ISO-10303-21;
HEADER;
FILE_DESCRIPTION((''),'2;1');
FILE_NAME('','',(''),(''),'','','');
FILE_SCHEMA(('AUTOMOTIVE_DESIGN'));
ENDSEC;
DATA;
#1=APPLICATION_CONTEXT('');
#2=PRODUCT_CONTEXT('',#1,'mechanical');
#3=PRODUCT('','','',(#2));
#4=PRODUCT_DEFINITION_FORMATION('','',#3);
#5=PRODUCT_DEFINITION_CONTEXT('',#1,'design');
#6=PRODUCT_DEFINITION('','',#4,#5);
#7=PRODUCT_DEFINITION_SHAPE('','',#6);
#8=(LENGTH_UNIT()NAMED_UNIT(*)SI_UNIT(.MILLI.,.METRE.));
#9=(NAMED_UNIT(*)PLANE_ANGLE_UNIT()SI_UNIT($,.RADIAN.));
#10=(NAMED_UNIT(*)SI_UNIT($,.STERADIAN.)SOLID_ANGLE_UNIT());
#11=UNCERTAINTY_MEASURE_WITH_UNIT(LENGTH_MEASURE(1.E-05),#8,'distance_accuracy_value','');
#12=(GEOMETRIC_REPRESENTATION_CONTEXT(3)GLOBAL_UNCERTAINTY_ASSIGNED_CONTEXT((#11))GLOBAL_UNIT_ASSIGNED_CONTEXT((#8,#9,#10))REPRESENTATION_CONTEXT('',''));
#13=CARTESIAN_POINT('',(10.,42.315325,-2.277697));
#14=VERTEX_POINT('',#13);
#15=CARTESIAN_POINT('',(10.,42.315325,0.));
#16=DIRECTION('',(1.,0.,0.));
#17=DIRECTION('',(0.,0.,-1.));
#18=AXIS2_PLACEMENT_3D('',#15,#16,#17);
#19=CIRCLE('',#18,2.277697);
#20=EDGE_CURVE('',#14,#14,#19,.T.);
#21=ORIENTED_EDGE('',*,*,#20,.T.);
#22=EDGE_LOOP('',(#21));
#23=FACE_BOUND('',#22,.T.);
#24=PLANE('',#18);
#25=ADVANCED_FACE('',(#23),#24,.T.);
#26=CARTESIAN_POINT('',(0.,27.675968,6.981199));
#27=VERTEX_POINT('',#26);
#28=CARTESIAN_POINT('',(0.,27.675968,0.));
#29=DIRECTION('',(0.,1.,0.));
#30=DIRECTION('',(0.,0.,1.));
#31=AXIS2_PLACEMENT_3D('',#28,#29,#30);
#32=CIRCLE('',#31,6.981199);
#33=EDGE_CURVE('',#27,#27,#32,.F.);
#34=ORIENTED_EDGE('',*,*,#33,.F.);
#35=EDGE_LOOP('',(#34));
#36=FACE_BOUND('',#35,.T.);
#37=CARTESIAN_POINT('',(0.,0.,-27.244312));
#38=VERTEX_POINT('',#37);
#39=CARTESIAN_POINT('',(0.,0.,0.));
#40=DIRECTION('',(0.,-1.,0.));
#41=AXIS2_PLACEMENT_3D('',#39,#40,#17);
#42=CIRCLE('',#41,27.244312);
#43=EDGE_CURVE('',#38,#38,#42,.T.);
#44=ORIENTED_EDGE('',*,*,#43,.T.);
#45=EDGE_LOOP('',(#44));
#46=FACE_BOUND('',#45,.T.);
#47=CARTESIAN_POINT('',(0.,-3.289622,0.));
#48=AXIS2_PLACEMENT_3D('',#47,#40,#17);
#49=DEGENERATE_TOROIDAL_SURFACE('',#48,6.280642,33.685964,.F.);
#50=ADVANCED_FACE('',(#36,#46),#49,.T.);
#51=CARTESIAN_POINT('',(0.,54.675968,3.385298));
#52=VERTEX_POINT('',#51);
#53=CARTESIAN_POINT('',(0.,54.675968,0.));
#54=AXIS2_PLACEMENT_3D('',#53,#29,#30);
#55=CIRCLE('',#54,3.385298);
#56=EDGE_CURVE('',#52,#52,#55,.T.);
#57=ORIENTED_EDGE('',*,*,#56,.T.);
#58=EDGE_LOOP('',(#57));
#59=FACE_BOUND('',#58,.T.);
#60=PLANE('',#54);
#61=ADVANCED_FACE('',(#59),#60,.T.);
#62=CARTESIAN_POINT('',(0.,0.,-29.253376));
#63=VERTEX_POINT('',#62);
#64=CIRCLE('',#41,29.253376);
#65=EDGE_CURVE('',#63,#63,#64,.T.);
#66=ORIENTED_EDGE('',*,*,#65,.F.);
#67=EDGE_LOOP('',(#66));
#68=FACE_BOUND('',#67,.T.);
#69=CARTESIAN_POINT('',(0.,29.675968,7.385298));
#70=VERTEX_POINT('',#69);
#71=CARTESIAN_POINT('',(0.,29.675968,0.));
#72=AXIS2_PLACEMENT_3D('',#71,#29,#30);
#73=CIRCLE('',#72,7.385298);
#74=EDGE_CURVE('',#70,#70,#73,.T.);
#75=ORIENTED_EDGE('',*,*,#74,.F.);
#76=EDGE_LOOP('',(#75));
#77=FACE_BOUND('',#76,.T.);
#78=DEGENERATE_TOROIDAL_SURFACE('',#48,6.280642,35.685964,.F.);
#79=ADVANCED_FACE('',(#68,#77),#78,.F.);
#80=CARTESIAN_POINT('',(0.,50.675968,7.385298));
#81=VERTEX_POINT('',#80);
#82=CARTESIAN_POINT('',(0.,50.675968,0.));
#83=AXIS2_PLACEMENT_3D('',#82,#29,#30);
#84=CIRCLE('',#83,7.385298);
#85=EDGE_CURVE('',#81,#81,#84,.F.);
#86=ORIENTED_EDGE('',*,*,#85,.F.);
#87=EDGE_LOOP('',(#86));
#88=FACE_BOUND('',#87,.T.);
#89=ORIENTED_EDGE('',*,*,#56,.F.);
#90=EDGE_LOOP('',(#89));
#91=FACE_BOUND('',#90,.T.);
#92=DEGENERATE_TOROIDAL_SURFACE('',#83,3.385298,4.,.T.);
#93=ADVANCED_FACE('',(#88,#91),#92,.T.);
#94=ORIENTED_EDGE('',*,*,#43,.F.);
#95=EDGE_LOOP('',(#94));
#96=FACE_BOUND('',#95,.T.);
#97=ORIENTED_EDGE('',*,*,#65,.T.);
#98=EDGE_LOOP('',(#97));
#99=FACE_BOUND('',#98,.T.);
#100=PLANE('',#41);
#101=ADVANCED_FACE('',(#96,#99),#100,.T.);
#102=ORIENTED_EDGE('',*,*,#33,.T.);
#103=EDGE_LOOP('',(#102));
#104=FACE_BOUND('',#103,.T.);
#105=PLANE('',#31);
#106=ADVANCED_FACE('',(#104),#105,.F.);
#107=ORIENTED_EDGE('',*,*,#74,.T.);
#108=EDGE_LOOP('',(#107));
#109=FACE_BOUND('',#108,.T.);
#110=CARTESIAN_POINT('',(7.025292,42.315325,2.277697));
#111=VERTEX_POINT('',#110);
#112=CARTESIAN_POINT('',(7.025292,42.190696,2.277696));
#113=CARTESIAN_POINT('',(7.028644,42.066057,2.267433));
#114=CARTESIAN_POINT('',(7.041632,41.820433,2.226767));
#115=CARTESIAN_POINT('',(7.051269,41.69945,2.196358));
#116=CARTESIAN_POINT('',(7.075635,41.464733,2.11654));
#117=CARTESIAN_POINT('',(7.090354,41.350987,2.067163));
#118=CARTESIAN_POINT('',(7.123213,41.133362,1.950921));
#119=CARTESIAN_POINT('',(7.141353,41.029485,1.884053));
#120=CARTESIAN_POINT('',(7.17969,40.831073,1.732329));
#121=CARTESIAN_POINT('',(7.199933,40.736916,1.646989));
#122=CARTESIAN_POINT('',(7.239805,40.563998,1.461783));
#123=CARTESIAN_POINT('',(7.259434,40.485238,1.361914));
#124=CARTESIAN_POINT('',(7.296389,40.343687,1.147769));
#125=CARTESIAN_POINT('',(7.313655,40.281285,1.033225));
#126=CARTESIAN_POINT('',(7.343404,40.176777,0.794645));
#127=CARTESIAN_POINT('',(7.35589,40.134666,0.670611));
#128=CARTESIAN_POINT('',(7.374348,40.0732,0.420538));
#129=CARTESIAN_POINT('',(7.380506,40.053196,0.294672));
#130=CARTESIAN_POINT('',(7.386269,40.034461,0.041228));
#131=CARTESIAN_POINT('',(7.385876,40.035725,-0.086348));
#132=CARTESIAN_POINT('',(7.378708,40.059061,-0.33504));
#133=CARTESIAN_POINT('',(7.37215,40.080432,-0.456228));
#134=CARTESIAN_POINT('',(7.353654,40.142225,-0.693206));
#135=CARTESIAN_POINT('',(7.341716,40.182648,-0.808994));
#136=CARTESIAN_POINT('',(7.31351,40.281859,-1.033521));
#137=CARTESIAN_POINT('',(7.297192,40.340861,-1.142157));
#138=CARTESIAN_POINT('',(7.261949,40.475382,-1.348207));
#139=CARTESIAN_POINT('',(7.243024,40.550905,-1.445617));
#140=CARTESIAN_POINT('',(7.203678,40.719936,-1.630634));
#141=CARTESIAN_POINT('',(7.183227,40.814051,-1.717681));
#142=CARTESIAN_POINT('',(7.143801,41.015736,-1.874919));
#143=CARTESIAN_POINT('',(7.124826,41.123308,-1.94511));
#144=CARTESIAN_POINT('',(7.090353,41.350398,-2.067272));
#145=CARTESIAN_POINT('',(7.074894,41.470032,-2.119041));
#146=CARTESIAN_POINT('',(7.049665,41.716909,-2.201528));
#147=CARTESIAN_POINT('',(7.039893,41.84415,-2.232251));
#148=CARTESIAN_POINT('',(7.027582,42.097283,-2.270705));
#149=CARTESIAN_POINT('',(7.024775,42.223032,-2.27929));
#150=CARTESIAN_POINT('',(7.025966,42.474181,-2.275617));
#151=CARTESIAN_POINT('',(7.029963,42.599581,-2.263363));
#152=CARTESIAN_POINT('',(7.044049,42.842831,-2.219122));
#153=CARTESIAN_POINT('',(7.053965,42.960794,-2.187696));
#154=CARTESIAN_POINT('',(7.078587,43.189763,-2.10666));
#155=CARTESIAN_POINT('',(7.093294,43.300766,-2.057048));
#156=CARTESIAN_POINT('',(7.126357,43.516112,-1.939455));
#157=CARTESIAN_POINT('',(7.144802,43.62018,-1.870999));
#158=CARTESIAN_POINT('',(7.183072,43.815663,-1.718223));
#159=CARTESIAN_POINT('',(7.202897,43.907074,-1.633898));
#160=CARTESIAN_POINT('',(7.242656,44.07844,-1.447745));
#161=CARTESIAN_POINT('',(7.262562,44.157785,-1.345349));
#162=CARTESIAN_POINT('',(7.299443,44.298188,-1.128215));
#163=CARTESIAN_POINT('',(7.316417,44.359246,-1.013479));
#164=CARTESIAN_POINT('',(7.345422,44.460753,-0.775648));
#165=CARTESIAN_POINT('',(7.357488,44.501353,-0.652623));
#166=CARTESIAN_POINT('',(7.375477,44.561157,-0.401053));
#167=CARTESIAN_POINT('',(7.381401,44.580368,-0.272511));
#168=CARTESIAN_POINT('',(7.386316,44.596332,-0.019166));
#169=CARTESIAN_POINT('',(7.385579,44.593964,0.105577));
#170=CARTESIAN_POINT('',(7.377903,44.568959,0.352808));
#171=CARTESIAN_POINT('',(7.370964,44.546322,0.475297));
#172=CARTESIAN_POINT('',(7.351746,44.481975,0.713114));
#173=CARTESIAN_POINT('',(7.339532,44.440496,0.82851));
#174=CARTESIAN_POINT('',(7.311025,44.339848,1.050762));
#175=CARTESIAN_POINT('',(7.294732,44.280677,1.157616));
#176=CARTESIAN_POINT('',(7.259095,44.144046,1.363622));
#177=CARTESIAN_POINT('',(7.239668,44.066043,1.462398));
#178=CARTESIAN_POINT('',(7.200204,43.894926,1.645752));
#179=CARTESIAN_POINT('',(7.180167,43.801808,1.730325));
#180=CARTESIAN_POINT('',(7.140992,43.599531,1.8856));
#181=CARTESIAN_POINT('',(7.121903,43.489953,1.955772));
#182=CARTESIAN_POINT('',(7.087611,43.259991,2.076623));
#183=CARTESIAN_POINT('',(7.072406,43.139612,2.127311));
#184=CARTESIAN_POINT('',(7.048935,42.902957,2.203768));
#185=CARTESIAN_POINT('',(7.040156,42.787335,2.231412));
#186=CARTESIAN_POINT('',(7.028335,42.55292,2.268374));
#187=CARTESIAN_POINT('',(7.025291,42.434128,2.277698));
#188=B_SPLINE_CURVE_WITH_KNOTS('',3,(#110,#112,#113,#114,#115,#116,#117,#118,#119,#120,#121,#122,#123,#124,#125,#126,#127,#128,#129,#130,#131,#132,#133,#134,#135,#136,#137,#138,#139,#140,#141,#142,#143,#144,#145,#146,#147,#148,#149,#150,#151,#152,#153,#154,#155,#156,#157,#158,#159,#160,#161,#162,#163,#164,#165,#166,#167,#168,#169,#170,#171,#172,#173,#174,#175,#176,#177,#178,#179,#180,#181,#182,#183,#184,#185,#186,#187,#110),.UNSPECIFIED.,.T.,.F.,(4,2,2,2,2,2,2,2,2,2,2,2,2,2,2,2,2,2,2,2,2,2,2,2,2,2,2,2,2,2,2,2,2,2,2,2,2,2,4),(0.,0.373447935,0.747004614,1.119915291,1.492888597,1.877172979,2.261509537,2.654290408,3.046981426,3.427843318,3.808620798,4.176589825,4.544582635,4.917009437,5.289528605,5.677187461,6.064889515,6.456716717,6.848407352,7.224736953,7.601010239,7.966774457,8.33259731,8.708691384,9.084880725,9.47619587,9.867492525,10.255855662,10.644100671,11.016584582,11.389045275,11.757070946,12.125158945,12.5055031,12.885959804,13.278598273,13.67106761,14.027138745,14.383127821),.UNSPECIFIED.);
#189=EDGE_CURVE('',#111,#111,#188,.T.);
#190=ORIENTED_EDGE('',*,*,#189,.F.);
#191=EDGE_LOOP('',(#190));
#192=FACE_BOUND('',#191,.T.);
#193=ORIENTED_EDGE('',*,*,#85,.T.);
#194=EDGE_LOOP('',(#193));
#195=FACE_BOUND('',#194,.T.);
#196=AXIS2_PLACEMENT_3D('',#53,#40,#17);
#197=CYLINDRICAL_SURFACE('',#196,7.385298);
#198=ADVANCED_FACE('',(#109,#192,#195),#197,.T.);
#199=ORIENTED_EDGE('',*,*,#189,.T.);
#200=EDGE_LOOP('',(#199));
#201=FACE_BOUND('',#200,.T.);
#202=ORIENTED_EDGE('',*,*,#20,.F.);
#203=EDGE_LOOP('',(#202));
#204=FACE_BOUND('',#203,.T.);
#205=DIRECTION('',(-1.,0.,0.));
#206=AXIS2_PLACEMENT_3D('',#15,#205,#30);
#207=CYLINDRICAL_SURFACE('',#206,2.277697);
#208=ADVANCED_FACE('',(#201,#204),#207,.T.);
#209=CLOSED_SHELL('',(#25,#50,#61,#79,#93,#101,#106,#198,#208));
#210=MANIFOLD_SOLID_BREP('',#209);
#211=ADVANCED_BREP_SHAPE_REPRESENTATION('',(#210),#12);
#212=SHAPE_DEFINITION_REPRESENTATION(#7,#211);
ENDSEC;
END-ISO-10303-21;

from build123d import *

# Parameters (mm, degrees)
SHELL_1_T       = -2
SKETCH_4_R      = 7.385297863
EXTRUDE_1_DEPTH = 25
FILLET_1_R      = 4
SKETCH_5_R      = 2.277696926
EXTRUDE_2_DEPTH = 10


with BuildPart() as part:
    # 草图2 → 旋转1 (revolve)
    with BuildSketch(Plane.XY, mode=Mode.PRIVATE) as revolve_1_sk:
        with BuildLine():
            Line((0, 0), (29.253375884, 0))
            ThreePointArc((29.253375884, 0), (22.447823433, 17.880245703), (7.385297863, 29.675967555))
            Line((7.385297863, 29.675967555), (0, 29.675967555))
            Line((0, 29.675967555), (0, 0))
        make_face()
    revolve(revolve_1_sk.sketch.rotate(Axis((0, 0, 0), (0, 1, 0)), 90), axis=Axis((0, 0, 0), (0, 1, 0)))

    # 抽壳1
    shell_1_openings = [part.faces().sort_by_distance(p)[0] for p in [
        (0, 0, 0),
    ]]
    offset(amount=SHELL_1_T, openings=shell_1_openings, kind=Kind.INTERSECTION)

    # 草图4 → 凸台-拉伸1 (add)
    with BuildSketch(Plane(origin=(0, 29.675967555, 0), x_dir=(1, 0, 0), z_dir=(0, 1, 0))):
        with Locations(Location((0, 0, 0), (0, 0, 270))):
            Circle(SKETCH_4_R)
    extrude(amount=EXTRUDE_1_DEPTH)

    # 圆角1
    fillet_1_edges = [part.edges().sort_by_distance(p)[0] for p in [
        (0, 54.675967555, -7.385297863),
    ]]
    fillet(fillet_1_edges, radius=FILLET_1_R)

    # 草图5 → 凸台-拉伸2 (add)
    with BuildSketch(Plane(origin=(0, 0, 0), x_dir=(0, 0, -1), z_dir=(1, 0, 0))):
        with Locations(Location((0, 42.315325321, 0), (0, 0, 180))):
            Circle(SKETCH_5_R)
    extrude(amount=EXTRUDE_2_DEPTH)


solid = part.part
